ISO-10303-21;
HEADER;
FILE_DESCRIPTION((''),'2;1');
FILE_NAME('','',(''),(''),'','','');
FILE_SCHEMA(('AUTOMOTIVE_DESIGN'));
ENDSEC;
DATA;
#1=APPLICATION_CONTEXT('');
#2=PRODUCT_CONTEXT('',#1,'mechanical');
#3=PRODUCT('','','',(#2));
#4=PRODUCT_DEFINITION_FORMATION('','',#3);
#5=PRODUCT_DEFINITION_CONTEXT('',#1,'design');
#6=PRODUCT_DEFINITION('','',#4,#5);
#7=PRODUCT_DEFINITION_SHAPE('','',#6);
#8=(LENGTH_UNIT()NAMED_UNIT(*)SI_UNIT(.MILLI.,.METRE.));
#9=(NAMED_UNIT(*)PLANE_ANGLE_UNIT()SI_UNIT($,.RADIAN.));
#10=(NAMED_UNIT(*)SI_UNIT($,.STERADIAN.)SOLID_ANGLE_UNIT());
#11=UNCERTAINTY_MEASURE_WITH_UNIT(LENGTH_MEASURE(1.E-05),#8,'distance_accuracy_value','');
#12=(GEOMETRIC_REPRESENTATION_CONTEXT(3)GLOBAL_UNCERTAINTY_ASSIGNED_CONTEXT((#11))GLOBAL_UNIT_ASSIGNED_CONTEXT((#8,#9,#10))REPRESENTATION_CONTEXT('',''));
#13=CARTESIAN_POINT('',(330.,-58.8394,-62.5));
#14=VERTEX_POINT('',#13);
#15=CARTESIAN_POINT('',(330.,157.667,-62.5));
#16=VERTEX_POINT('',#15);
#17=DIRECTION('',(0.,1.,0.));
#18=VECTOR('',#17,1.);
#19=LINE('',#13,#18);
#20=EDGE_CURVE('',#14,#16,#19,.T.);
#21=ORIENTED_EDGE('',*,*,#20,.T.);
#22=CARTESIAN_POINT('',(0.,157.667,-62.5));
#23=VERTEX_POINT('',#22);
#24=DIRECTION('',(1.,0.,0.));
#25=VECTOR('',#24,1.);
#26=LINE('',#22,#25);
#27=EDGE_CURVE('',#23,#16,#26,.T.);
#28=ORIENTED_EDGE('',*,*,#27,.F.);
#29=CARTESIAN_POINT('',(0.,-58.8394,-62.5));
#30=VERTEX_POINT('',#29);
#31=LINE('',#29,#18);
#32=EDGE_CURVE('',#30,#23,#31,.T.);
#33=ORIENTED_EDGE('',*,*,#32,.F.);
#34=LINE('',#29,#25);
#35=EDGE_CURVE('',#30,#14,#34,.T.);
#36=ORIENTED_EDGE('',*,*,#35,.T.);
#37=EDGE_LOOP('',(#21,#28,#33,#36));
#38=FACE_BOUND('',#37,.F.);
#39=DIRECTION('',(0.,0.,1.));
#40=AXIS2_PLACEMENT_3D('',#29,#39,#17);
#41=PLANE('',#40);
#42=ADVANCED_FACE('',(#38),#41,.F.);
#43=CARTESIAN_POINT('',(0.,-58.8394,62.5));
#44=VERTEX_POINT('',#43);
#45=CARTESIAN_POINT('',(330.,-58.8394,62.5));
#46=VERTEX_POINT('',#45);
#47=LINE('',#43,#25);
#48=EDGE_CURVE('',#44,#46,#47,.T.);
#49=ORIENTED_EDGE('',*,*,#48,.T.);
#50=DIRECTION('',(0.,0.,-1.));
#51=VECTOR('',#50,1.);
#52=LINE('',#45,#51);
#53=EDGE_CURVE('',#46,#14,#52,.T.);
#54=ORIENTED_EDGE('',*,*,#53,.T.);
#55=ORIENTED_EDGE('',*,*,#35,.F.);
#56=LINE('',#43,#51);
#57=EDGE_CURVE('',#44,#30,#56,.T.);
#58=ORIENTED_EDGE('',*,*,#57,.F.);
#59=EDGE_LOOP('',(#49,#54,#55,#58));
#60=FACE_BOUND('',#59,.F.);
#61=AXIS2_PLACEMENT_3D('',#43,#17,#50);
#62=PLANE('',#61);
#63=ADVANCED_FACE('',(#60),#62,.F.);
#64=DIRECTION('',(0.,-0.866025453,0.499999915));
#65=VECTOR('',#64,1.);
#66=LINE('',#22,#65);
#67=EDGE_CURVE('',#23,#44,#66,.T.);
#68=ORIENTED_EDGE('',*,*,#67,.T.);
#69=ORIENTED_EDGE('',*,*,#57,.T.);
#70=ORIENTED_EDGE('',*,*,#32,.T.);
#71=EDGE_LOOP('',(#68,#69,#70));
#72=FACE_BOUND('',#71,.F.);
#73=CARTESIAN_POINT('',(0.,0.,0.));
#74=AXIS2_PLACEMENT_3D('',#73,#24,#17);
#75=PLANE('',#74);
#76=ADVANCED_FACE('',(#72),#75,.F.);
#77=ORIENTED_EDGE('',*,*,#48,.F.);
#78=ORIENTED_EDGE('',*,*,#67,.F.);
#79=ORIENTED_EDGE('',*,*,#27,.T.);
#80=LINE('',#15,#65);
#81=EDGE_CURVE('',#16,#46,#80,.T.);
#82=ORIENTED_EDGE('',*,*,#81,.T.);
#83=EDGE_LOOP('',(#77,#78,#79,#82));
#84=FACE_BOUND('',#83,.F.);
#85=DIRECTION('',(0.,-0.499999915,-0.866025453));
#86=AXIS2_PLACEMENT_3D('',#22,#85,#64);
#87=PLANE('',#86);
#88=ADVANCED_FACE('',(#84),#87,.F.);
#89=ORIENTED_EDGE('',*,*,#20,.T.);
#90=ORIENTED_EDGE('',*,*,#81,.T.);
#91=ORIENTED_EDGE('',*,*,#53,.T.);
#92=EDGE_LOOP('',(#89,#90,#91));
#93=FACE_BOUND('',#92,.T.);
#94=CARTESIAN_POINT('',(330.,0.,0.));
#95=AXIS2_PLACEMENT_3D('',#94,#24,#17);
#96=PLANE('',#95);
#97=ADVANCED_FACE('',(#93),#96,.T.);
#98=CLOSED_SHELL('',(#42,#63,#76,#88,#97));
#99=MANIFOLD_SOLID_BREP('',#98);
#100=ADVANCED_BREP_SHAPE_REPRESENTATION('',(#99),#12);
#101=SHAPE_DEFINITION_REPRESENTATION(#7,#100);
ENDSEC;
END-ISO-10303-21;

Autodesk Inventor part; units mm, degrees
ref_plane "YZ Plane" through (0, 0, 0) normal (1, 0, 0) x (0, 1, 0)
ref_plane "XZ Plane" through (0, 0, 0) normal (0, 1, 0) x (-1, 0, 0)
ref_plane "XY Plane" through (0, 0, 0) normal (0, 0, 1) x (1, 0, 0)
sketch "Esboço1" plane through (0, 0, 0) normal (1, 0, 0) x (0, 1, 0)
  line L0 (157.667, -62.5) -> (-58.8394, 62.5)
  line L1 (-58.8394, 62.5) -> (-58.8394, -62.5)
  line L2 (-58.8394, -62.5) -> (157.667, -62.5)
  point P0 (0, 0)
  point P1 (-58.8394, 0)
  dimension "d0" = 250
  dimension "d1" = 30
  dimension "d2" = 125
  dimension "d3" = 216.5063
extrude "Extrusão1" add sketch "Esboço1" along normal blind 330
properties part number "coneTela"
